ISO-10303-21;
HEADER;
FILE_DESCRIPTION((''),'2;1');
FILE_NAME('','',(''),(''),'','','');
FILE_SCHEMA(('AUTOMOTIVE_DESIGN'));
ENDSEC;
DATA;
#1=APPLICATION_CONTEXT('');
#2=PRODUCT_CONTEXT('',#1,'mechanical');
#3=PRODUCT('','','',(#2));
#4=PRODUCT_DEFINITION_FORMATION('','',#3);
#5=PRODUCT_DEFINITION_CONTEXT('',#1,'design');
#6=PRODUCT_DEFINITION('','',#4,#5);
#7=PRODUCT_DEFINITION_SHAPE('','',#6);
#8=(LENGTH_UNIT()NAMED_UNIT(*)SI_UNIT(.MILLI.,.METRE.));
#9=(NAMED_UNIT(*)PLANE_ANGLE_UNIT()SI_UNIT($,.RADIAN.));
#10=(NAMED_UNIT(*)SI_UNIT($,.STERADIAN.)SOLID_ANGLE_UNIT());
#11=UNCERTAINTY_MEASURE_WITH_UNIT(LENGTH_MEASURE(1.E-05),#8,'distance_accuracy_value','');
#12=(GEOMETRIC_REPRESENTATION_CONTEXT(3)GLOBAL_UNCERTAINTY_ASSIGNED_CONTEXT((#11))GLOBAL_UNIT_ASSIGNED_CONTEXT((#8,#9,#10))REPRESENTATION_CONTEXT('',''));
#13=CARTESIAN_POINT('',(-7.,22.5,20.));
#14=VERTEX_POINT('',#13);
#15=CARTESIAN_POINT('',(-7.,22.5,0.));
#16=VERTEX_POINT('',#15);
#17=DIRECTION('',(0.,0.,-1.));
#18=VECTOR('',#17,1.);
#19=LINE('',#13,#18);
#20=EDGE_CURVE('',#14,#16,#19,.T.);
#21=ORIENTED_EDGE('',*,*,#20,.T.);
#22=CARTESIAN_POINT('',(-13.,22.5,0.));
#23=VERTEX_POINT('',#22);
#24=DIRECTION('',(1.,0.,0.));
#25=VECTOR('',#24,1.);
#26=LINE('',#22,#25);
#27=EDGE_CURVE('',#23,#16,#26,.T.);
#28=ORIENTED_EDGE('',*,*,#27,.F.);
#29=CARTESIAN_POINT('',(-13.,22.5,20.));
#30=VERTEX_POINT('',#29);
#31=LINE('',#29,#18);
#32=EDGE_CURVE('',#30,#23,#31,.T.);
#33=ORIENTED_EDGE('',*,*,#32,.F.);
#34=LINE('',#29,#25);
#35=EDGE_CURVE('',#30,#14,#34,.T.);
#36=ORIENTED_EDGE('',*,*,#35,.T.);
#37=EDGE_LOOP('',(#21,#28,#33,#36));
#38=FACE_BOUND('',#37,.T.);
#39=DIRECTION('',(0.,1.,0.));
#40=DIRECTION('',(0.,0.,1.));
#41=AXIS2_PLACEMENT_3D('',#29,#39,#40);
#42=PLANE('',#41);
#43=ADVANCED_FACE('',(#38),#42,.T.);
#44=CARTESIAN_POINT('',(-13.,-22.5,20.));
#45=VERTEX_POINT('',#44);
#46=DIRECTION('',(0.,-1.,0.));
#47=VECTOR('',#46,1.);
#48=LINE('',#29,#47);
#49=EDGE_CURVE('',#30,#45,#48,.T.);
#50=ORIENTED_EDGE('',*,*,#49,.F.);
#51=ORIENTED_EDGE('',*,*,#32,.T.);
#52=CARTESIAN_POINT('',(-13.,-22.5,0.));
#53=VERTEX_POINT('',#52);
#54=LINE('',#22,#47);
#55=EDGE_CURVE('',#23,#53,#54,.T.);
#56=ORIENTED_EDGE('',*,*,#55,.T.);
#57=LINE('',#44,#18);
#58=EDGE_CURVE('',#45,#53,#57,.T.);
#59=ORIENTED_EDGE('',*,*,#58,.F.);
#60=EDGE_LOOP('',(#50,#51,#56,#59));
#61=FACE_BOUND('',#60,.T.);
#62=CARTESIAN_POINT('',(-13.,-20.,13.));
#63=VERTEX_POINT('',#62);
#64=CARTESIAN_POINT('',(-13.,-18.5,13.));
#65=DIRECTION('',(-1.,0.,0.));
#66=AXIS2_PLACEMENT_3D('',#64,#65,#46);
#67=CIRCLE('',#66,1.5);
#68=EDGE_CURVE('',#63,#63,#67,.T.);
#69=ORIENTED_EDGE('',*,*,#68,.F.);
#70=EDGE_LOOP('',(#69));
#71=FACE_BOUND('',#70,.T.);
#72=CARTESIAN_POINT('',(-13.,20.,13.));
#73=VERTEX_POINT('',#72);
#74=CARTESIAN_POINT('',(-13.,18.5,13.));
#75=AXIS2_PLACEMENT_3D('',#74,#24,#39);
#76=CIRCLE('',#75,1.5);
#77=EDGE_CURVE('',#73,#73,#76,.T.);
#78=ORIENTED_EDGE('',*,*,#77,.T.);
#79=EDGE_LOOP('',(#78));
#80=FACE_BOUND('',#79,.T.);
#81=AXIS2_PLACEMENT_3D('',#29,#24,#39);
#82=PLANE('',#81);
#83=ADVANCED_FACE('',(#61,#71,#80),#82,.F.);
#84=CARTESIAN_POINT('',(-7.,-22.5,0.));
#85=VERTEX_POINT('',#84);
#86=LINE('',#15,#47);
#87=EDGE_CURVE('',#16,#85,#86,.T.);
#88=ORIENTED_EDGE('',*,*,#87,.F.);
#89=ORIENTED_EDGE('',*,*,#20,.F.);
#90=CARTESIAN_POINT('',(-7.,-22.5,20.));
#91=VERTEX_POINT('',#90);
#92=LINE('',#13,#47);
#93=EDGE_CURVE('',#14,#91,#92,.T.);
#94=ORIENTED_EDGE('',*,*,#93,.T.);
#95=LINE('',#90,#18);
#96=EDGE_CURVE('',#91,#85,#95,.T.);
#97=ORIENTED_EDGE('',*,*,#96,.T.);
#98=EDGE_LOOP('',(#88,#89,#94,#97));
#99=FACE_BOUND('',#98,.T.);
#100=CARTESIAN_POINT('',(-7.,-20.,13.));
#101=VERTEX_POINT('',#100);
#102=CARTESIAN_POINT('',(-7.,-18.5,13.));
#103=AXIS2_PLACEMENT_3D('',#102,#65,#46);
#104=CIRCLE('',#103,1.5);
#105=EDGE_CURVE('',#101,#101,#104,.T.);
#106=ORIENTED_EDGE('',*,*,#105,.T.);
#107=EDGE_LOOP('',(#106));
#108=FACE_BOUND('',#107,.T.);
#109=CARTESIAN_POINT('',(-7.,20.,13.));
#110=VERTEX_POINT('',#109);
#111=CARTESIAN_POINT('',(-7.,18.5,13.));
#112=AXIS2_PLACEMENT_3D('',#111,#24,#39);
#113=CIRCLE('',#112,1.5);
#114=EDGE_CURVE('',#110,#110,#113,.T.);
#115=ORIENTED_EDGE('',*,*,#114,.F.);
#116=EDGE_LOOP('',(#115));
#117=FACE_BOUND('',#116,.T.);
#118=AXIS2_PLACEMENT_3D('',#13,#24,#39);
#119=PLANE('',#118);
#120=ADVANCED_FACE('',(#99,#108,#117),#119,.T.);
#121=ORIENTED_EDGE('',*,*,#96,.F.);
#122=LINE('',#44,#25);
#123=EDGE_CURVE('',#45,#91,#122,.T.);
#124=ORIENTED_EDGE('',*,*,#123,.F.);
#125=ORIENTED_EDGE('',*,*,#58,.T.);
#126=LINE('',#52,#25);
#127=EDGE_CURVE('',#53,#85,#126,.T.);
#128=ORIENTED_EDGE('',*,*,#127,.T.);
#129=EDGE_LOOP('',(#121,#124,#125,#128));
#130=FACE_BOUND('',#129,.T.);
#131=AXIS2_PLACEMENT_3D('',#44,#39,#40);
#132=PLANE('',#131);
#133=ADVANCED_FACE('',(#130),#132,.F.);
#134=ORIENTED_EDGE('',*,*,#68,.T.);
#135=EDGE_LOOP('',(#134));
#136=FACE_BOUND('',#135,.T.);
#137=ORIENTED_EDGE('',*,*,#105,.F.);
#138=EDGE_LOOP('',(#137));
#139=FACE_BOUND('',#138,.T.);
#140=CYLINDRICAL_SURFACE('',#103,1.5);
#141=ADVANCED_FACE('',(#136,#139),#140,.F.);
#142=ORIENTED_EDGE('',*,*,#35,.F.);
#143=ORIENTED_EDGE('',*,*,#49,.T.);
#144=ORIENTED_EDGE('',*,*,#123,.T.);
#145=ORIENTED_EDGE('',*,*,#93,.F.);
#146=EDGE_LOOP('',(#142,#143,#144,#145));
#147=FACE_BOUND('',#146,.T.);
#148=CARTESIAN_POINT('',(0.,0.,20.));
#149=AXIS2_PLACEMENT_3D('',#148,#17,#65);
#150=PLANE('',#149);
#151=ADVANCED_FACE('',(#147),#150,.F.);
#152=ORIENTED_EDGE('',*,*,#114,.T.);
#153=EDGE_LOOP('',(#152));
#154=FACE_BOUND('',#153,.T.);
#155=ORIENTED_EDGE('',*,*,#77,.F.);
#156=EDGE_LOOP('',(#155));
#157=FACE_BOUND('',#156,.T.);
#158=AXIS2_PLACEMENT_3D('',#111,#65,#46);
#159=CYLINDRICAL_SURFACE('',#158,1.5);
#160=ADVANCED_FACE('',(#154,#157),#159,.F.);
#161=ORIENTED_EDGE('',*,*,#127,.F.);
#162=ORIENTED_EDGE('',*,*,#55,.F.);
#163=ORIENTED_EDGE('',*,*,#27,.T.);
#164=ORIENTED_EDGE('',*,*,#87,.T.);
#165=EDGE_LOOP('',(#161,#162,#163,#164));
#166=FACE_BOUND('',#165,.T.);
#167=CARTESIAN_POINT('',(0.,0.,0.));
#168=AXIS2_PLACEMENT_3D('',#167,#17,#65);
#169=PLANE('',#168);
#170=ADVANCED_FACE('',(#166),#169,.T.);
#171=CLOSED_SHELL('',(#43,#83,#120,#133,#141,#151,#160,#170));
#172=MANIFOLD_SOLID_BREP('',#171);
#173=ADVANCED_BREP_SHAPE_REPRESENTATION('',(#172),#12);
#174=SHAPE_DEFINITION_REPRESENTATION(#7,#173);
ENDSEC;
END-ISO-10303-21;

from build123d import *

# Parameters (mm, degrees)
SKETCH1_W           = 6
SKETCH1_H           = 45
BOSS_EXTRUDE1_DEPTH = 20
SKETCH2_R           = 1.5
CUT_EXTRUDE2_DEPTH  = 7


with BuildPart() as part:
    # Sketch1 → Boss-Extrude1 (new body)
    with BuildSketch(Plane.XY):
        with Locations((-10, 0)):
            Rectangle(SKETCH1_W, SKETCH1_H)
    extrude(amount=BOSS_EXTRUDE1_DEPTH)

    # Sketch2 → Cut-Extrude2 (cut, through all)
    with BuildSketch(Plane.ZY.offset(13)):
        with Locations((13, -18.5)):
            Circle(SKETCH2_R)
        with Locations((13, 18.5)):
            Circle(SKETCH2_R)
    extrude(amount=-CUT_EXTRUDE2_DEPTH, mode=Mode.SUBTRACT)


solid = part.part
